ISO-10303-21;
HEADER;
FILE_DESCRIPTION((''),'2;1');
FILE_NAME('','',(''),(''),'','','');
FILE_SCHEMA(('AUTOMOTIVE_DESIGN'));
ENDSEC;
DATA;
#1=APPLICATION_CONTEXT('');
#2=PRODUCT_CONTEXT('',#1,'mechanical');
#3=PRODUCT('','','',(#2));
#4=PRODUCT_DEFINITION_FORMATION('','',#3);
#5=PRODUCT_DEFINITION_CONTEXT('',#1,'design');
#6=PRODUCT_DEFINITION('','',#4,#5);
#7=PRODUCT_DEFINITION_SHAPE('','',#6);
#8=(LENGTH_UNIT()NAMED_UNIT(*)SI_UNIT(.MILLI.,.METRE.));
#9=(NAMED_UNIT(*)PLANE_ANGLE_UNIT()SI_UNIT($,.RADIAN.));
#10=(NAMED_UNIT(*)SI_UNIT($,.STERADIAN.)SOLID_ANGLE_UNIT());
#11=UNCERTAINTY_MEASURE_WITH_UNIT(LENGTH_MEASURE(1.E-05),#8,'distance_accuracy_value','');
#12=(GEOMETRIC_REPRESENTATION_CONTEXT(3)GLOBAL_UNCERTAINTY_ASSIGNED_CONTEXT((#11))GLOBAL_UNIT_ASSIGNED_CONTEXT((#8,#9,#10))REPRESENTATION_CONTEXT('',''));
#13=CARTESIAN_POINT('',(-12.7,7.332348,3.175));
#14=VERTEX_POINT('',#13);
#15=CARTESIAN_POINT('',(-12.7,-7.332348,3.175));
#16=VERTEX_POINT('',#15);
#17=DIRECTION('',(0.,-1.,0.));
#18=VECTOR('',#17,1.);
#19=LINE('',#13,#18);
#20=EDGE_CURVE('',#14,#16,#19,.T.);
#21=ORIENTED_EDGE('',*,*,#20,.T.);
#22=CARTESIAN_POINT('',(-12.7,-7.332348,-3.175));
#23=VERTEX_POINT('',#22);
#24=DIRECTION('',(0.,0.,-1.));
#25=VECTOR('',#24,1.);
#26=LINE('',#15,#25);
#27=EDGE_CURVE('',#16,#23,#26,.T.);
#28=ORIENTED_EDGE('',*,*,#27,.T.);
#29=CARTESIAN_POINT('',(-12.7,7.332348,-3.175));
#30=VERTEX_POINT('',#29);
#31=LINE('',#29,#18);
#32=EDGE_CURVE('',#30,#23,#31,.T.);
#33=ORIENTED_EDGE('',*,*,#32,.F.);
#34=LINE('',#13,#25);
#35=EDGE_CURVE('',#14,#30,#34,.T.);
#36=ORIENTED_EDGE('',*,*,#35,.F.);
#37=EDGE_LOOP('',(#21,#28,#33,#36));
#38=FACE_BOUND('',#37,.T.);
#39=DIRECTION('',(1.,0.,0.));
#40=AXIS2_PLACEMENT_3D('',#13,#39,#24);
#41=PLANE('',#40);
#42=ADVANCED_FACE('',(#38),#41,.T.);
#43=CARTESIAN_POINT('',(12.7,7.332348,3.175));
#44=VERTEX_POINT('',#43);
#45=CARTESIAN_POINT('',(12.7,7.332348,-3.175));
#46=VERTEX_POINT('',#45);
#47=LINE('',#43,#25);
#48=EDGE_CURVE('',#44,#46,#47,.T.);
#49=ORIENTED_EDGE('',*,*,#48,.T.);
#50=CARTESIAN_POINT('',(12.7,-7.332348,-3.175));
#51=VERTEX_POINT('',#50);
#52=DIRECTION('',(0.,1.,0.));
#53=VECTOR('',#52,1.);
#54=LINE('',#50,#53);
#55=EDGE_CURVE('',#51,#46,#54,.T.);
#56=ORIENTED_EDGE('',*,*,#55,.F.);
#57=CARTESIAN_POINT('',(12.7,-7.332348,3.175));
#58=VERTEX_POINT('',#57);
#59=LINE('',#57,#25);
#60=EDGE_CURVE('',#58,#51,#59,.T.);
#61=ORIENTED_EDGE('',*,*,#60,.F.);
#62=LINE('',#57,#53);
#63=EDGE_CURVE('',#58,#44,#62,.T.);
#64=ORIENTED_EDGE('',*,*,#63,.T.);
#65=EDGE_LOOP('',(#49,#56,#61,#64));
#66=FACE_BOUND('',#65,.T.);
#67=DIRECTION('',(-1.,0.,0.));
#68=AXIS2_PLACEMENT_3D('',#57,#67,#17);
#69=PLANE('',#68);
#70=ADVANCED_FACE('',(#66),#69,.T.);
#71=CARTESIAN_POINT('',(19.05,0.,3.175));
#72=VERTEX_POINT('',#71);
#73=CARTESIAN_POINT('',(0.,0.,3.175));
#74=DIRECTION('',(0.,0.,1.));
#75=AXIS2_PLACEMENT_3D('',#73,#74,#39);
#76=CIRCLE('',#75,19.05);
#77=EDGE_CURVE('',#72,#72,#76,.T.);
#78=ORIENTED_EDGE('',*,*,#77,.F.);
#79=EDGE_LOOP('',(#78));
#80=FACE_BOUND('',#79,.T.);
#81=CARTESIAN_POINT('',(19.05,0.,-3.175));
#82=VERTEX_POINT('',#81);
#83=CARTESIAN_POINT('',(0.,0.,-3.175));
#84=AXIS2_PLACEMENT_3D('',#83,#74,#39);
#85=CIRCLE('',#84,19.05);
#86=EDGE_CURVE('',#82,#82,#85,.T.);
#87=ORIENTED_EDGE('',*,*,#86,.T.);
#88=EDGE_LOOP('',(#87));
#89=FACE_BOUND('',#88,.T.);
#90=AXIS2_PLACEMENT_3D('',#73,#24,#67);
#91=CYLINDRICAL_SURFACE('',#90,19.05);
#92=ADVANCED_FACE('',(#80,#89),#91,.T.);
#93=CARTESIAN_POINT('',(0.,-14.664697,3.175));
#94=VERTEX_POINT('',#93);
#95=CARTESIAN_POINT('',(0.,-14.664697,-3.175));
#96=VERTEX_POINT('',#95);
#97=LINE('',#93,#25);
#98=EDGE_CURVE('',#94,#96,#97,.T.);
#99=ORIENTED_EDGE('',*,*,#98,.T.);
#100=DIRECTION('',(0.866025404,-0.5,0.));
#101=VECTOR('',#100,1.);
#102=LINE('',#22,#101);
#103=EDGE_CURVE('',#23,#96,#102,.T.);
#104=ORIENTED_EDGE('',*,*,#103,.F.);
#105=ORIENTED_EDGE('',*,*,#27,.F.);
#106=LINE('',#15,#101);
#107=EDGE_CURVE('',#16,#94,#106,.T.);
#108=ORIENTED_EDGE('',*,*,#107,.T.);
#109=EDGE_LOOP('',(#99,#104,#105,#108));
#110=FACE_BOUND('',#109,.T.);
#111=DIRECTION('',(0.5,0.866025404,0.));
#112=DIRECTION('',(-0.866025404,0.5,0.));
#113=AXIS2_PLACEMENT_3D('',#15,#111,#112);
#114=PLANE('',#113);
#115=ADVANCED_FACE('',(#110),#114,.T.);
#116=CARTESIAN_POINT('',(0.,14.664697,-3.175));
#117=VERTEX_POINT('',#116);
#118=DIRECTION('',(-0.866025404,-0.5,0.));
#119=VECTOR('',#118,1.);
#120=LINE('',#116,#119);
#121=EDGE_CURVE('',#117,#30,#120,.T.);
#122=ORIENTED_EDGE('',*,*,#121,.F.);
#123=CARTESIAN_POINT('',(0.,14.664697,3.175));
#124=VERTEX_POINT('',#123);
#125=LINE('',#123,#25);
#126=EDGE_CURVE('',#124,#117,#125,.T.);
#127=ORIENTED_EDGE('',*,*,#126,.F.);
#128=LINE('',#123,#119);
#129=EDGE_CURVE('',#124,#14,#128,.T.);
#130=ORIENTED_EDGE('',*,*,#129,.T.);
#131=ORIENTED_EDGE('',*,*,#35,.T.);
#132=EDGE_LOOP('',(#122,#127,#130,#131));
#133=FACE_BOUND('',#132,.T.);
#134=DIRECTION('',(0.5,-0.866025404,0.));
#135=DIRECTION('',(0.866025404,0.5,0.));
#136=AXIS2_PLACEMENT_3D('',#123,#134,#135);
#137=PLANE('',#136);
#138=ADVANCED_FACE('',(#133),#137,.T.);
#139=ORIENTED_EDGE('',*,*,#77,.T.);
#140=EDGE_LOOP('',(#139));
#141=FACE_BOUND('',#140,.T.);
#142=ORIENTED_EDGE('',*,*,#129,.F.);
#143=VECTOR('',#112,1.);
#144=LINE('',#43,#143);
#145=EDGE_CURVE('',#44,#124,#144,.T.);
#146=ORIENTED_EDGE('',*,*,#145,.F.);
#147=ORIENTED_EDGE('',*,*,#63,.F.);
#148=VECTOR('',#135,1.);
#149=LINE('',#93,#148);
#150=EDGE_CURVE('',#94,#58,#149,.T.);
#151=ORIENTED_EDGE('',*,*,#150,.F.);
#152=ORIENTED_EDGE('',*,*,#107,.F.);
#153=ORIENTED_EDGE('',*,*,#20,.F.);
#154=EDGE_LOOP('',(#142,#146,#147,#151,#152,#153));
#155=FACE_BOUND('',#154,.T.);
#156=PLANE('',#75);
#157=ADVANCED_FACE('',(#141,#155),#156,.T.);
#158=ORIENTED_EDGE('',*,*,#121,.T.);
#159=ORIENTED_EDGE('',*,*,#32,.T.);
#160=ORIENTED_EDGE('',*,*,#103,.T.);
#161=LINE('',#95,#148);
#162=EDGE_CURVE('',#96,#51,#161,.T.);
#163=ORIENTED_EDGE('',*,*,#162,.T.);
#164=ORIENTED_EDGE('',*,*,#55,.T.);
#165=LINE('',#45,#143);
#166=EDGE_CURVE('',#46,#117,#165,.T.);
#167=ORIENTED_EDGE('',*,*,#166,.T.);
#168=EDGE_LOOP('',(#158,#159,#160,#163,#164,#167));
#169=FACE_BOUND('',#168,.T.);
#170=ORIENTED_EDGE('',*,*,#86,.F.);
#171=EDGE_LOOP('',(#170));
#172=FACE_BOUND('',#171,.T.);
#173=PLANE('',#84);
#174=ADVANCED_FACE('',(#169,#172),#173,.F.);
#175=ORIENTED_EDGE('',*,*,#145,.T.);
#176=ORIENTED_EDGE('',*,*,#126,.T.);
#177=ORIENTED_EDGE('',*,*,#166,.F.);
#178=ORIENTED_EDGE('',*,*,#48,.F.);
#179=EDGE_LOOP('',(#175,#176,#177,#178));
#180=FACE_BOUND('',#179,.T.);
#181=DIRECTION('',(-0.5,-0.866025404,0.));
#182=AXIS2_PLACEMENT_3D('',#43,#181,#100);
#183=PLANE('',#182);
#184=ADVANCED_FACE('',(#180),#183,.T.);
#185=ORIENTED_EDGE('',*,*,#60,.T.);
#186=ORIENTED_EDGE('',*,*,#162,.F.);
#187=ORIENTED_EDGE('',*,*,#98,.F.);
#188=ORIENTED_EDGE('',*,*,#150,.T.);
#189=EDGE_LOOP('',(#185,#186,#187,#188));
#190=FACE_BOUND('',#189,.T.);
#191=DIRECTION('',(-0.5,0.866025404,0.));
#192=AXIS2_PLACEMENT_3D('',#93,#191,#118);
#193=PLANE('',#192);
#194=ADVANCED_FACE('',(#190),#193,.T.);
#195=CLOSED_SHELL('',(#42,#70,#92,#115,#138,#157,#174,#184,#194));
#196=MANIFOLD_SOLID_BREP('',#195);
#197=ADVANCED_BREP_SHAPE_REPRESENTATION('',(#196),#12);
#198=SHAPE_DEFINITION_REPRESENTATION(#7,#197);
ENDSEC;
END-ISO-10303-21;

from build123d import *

# Parameters (mm, degrees)
SKETCH1_R           = 19.05
BOSS_EXTRUDE1_DEPTH = 3.175


with BuildPart() as part:
    # Sketch1 → Boss-Extrude1 (new body, symmetric)
    with BuildSketch(Plane.XY):
        Circle(SKETCH1_R)
        Polygon((0, 14.664696837), (-12.7, 7.332348419), (-12.7, -7.332348419), (0, -14.664696837), (12.7, -7.332348419), (12.7, 7.332348419), align=None, mode=Mode.SUBTRACT)
    extrude(amount=BOSS_EXTRUDE1_DEPTH, both=True)


solid = part.part
